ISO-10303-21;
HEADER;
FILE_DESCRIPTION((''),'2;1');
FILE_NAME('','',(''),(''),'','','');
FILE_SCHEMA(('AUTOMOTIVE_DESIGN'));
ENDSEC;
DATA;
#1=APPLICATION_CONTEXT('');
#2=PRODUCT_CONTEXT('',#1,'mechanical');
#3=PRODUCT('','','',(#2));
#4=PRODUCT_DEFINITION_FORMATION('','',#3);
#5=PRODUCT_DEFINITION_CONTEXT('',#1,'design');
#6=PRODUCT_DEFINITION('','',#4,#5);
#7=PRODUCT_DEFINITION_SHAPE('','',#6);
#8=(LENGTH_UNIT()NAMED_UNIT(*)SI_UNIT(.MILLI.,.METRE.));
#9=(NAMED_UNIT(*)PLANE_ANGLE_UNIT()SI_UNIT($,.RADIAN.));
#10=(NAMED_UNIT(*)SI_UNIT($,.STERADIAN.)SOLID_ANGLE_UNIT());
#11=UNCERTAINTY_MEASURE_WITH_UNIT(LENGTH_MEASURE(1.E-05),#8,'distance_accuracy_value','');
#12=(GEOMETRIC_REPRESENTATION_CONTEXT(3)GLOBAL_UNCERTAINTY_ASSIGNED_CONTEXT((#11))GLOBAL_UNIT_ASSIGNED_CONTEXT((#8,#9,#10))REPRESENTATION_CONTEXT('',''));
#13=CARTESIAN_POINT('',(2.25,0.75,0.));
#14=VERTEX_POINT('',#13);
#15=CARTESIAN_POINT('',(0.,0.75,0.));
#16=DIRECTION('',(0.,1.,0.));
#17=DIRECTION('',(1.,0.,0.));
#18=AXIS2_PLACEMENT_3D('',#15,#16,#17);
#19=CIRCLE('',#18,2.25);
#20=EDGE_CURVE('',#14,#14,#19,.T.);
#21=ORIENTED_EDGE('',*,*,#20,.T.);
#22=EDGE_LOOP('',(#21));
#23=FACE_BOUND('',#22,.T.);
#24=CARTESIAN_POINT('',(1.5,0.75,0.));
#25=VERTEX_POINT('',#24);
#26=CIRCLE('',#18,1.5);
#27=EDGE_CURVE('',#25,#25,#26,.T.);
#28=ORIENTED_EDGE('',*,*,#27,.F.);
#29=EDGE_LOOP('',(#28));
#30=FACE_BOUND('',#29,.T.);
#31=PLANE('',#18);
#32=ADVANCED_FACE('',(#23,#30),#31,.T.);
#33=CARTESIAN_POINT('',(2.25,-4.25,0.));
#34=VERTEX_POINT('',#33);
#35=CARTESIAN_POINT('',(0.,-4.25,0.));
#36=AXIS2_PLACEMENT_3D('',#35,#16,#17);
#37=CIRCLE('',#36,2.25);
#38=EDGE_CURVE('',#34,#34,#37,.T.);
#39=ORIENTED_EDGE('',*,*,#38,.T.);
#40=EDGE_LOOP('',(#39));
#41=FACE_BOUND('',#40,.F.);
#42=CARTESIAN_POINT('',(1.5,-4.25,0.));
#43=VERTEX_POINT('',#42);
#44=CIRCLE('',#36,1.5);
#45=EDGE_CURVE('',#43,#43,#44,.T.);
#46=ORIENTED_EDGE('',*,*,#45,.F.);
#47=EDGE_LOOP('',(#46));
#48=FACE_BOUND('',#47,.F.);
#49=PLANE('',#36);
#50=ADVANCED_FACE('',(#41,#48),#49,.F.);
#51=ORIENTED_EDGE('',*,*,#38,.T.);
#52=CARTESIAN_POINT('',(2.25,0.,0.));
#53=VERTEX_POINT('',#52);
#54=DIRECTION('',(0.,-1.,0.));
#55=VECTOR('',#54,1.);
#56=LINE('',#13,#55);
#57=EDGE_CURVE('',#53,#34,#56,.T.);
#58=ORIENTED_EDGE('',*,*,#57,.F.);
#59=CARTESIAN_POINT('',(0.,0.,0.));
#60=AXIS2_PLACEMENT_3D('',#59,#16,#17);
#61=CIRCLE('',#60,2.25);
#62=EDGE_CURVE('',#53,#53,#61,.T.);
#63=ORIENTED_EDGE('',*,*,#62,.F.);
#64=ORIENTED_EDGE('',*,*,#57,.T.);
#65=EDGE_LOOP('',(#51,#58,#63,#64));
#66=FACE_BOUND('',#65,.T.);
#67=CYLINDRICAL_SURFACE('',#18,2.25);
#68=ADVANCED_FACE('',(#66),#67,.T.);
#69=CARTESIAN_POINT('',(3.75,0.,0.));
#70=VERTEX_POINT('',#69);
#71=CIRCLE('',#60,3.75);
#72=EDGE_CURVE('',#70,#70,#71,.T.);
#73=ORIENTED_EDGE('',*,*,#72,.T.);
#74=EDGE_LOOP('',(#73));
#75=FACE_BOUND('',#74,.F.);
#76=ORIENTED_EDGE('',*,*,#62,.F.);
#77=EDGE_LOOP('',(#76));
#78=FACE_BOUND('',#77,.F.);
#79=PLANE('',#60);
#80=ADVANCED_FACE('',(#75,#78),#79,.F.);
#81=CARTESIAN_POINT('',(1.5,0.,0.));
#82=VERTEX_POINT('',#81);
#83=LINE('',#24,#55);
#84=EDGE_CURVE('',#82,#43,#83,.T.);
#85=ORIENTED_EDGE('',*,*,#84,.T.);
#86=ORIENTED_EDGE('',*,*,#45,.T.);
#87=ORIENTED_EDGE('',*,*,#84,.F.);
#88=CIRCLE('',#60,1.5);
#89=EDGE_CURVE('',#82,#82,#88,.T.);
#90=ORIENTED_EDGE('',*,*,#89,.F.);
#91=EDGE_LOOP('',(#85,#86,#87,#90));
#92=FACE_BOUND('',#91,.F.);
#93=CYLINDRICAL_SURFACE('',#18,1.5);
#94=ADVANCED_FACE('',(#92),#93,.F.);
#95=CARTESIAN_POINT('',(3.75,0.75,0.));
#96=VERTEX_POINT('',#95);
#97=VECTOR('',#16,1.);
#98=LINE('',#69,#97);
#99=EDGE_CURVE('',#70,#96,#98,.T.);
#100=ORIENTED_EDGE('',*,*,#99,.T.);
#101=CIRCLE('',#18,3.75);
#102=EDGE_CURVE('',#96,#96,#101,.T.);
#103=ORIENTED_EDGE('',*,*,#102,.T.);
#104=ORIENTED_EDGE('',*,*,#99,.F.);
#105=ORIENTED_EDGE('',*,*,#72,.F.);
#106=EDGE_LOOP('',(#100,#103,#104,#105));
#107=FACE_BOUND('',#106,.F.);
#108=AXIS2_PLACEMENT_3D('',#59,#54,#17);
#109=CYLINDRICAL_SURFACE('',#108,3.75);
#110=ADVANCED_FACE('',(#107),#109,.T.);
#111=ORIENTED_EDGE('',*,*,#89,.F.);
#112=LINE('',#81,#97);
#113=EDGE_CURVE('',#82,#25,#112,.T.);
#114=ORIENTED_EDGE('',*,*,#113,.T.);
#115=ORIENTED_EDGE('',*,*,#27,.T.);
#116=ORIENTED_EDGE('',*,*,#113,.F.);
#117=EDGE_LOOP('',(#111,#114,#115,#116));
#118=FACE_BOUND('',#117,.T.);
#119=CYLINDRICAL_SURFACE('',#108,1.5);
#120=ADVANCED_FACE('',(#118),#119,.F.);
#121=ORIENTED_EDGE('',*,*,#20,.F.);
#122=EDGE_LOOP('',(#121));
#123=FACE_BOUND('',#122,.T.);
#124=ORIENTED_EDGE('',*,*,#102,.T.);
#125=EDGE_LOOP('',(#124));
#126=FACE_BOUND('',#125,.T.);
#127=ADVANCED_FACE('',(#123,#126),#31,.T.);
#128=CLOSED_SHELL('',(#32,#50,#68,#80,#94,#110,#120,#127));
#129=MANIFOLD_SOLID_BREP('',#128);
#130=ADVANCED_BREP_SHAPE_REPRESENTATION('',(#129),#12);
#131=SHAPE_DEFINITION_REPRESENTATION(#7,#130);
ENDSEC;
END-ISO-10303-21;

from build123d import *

# Parameters (mm, degrees)
SKETCH1_R           = 3.75
SKETCH1_R_2         = 1.5
BOSS_EXTRUDE1_DEPTH = 0.75
SKETCH2_R           = 2.25
SKETCH2_R_2         = 1.5
BOSS_EXTRUDE2_DEPTH = 5


with BuildPart() as part:
    # Sketch1 → Boss-Extrude1 (new body)
    with BuildSketch(Plane(origin=(0, 0, 0), x_dir=(1, 0, 0), z_dir=(0, 1, 0))):
        Circle(SKETCH1_R)
        Circle(SKETCH1_R_2, mode=Mode.SUBTRACT)
    extrude(amount=BOSS_EXTRUDE1_DEPTH)

    # Sketch2 → Boss-Extrude2 (add)
    with BuildSketch(Plane(origin=(0, 0.75, 0), x_dir=(1, 0, 0), z_dir=(0, 1, 0))):
        Circle(SKETCH2_R)
        Circle(SKETCH2_R_2, mode=Mode.SUBTRACT)
    extrude(amount=-BOSS_EXTRUDE2_DEPTH)


solid = part.part
